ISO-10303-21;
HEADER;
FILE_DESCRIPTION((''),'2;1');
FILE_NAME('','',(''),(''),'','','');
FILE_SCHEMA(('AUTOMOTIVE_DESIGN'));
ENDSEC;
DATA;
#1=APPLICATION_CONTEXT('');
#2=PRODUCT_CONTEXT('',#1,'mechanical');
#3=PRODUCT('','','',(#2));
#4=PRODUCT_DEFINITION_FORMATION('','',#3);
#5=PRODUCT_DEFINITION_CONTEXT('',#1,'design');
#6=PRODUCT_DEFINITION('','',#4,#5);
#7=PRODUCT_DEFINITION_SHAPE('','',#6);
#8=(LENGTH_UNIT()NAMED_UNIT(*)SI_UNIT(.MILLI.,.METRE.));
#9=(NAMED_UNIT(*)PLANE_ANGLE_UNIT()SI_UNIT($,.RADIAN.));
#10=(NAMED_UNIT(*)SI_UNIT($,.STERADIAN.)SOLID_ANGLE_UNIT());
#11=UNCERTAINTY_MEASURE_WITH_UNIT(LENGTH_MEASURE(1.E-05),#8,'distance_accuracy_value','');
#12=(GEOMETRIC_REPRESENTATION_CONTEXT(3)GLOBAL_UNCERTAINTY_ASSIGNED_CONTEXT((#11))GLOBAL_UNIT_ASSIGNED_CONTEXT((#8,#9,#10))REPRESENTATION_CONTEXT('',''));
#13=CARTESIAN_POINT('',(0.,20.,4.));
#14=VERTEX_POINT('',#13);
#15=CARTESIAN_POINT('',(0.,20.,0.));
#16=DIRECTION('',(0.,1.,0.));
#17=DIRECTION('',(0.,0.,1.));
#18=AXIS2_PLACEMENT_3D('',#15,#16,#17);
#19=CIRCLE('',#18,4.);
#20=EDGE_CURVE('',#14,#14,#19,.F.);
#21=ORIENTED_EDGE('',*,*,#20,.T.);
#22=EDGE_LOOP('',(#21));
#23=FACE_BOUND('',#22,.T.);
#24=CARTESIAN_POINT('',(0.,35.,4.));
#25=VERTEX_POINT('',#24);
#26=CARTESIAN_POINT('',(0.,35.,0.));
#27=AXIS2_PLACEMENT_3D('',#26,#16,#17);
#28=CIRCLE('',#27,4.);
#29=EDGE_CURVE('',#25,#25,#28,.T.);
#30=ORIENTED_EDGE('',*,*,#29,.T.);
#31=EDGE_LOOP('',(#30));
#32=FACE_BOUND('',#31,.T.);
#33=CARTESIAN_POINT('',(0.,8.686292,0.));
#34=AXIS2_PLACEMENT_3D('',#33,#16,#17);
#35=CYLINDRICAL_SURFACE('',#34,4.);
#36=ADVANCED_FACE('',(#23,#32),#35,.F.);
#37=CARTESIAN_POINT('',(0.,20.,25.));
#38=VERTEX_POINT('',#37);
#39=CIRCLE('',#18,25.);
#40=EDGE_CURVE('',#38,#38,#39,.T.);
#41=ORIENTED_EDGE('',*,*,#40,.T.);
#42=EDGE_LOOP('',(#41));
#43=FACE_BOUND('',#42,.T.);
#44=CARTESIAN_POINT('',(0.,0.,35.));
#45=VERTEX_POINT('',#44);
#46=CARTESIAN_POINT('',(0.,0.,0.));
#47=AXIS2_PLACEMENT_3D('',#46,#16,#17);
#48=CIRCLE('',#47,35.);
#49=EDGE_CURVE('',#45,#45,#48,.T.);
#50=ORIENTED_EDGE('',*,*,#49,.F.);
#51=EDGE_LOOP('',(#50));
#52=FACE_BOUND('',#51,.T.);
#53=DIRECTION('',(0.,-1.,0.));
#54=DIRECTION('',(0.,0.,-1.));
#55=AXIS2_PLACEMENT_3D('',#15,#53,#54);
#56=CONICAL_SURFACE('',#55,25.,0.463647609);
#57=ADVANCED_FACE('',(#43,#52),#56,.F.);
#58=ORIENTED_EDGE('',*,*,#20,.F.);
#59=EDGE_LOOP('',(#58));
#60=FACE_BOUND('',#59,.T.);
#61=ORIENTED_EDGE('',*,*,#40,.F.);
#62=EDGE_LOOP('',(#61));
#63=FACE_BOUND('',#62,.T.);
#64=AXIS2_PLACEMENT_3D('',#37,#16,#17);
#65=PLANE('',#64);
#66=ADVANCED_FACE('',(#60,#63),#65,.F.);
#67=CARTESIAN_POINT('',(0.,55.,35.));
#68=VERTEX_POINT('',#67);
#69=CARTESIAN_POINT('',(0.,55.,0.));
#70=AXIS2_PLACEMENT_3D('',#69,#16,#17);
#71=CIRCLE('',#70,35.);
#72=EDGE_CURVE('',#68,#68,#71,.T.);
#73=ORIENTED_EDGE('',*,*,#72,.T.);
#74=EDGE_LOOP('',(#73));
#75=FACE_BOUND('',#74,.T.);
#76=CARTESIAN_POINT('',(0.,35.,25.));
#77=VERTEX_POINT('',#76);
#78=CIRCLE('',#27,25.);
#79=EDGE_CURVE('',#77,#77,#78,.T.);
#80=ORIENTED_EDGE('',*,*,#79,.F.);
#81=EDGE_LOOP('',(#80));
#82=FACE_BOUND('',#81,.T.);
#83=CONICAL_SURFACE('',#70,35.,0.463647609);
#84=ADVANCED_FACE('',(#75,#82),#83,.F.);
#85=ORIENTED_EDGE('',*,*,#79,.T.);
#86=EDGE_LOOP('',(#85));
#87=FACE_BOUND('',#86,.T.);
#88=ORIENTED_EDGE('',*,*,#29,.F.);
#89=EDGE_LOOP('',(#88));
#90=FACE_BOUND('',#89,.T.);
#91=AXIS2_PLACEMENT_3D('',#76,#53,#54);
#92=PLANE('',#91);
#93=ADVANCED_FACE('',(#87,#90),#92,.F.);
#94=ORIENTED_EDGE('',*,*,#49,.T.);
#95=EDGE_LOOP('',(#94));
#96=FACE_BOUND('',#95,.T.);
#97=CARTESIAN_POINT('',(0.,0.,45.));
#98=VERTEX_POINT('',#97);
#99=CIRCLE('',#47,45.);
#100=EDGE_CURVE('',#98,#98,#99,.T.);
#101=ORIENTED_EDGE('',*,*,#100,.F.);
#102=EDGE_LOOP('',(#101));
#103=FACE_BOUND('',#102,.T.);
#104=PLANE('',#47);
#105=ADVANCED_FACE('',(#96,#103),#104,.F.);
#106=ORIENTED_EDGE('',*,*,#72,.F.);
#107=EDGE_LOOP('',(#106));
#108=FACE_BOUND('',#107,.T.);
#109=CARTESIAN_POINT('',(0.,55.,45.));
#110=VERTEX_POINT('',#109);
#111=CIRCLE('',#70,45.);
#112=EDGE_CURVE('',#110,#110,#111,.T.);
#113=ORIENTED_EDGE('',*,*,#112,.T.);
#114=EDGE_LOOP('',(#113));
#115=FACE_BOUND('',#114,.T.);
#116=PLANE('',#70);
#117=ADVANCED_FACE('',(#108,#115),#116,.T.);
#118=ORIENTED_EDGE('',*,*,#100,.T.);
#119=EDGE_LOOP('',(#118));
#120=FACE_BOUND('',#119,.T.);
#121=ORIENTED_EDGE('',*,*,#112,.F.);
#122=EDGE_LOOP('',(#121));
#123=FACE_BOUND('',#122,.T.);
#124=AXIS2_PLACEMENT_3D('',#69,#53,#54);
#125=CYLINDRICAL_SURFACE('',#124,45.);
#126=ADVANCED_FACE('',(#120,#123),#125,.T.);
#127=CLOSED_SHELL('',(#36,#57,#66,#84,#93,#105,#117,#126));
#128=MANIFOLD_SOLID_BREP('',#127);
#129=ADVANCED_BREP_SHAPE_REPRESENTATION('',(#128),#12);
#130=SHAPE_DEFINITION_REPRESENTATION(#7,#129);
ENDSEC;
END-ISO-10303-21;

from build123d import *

# Parameters (mm, degrees)
SKETCH1_R           = 45
BOSS_EXTRUDE1_DEPTH = 55
SKETCH7_R           = 4
CUT_EXTRUDE1_DEPTH  = 15


with BuildPart() as part:
    # Sketch1 → Boss-Extrude1 (new body)
    with BuildSketch(Plane(origin=(0, 0, 0), x_dir=(1, 0, 0), z_dir=(0, 1, 0))):
        with Locations(Location((0, 0, 0), (0, 0, 270))):
            Circle(SKETCH1_R)
    extrude(amount=BOSS_EXTRUDE1_DEPTH)

    # Sketch6 → Cut-Revolve2 (revolve, cut)
    with BuildSketch(Plane(origin=(0, 0, 0), x_dir=(0, 0, -1), z_dir=(1, 0, 0))):
        Polygon((0, 55), (0, 35), (-25, 35), (-35, 55), align=None)
        Polygon((0, 0), (0, 20), (-25, 20), (-35, 0), align=None)
    revolve(axis=Axis((0, 57.084701854, 0), (0, -1, 0)), mode=Mode.SUBTRACT)

    # Sketch7 → Cut-Extrude1 (cut)
    with BuildSketch(Plane(origin=(0, 35, 0), x_dir=(1, 0, 0), z_dir=(0, 1, 0))):
        with Locations(Location((0, 0, 0), (0, 0, 270))):
            Circle(SKETCH7_R)
    extrude(amount=-CUT_EXTRUDE1_DEPTH, mode=Mode.SUBTRACT)


solid = part.part
